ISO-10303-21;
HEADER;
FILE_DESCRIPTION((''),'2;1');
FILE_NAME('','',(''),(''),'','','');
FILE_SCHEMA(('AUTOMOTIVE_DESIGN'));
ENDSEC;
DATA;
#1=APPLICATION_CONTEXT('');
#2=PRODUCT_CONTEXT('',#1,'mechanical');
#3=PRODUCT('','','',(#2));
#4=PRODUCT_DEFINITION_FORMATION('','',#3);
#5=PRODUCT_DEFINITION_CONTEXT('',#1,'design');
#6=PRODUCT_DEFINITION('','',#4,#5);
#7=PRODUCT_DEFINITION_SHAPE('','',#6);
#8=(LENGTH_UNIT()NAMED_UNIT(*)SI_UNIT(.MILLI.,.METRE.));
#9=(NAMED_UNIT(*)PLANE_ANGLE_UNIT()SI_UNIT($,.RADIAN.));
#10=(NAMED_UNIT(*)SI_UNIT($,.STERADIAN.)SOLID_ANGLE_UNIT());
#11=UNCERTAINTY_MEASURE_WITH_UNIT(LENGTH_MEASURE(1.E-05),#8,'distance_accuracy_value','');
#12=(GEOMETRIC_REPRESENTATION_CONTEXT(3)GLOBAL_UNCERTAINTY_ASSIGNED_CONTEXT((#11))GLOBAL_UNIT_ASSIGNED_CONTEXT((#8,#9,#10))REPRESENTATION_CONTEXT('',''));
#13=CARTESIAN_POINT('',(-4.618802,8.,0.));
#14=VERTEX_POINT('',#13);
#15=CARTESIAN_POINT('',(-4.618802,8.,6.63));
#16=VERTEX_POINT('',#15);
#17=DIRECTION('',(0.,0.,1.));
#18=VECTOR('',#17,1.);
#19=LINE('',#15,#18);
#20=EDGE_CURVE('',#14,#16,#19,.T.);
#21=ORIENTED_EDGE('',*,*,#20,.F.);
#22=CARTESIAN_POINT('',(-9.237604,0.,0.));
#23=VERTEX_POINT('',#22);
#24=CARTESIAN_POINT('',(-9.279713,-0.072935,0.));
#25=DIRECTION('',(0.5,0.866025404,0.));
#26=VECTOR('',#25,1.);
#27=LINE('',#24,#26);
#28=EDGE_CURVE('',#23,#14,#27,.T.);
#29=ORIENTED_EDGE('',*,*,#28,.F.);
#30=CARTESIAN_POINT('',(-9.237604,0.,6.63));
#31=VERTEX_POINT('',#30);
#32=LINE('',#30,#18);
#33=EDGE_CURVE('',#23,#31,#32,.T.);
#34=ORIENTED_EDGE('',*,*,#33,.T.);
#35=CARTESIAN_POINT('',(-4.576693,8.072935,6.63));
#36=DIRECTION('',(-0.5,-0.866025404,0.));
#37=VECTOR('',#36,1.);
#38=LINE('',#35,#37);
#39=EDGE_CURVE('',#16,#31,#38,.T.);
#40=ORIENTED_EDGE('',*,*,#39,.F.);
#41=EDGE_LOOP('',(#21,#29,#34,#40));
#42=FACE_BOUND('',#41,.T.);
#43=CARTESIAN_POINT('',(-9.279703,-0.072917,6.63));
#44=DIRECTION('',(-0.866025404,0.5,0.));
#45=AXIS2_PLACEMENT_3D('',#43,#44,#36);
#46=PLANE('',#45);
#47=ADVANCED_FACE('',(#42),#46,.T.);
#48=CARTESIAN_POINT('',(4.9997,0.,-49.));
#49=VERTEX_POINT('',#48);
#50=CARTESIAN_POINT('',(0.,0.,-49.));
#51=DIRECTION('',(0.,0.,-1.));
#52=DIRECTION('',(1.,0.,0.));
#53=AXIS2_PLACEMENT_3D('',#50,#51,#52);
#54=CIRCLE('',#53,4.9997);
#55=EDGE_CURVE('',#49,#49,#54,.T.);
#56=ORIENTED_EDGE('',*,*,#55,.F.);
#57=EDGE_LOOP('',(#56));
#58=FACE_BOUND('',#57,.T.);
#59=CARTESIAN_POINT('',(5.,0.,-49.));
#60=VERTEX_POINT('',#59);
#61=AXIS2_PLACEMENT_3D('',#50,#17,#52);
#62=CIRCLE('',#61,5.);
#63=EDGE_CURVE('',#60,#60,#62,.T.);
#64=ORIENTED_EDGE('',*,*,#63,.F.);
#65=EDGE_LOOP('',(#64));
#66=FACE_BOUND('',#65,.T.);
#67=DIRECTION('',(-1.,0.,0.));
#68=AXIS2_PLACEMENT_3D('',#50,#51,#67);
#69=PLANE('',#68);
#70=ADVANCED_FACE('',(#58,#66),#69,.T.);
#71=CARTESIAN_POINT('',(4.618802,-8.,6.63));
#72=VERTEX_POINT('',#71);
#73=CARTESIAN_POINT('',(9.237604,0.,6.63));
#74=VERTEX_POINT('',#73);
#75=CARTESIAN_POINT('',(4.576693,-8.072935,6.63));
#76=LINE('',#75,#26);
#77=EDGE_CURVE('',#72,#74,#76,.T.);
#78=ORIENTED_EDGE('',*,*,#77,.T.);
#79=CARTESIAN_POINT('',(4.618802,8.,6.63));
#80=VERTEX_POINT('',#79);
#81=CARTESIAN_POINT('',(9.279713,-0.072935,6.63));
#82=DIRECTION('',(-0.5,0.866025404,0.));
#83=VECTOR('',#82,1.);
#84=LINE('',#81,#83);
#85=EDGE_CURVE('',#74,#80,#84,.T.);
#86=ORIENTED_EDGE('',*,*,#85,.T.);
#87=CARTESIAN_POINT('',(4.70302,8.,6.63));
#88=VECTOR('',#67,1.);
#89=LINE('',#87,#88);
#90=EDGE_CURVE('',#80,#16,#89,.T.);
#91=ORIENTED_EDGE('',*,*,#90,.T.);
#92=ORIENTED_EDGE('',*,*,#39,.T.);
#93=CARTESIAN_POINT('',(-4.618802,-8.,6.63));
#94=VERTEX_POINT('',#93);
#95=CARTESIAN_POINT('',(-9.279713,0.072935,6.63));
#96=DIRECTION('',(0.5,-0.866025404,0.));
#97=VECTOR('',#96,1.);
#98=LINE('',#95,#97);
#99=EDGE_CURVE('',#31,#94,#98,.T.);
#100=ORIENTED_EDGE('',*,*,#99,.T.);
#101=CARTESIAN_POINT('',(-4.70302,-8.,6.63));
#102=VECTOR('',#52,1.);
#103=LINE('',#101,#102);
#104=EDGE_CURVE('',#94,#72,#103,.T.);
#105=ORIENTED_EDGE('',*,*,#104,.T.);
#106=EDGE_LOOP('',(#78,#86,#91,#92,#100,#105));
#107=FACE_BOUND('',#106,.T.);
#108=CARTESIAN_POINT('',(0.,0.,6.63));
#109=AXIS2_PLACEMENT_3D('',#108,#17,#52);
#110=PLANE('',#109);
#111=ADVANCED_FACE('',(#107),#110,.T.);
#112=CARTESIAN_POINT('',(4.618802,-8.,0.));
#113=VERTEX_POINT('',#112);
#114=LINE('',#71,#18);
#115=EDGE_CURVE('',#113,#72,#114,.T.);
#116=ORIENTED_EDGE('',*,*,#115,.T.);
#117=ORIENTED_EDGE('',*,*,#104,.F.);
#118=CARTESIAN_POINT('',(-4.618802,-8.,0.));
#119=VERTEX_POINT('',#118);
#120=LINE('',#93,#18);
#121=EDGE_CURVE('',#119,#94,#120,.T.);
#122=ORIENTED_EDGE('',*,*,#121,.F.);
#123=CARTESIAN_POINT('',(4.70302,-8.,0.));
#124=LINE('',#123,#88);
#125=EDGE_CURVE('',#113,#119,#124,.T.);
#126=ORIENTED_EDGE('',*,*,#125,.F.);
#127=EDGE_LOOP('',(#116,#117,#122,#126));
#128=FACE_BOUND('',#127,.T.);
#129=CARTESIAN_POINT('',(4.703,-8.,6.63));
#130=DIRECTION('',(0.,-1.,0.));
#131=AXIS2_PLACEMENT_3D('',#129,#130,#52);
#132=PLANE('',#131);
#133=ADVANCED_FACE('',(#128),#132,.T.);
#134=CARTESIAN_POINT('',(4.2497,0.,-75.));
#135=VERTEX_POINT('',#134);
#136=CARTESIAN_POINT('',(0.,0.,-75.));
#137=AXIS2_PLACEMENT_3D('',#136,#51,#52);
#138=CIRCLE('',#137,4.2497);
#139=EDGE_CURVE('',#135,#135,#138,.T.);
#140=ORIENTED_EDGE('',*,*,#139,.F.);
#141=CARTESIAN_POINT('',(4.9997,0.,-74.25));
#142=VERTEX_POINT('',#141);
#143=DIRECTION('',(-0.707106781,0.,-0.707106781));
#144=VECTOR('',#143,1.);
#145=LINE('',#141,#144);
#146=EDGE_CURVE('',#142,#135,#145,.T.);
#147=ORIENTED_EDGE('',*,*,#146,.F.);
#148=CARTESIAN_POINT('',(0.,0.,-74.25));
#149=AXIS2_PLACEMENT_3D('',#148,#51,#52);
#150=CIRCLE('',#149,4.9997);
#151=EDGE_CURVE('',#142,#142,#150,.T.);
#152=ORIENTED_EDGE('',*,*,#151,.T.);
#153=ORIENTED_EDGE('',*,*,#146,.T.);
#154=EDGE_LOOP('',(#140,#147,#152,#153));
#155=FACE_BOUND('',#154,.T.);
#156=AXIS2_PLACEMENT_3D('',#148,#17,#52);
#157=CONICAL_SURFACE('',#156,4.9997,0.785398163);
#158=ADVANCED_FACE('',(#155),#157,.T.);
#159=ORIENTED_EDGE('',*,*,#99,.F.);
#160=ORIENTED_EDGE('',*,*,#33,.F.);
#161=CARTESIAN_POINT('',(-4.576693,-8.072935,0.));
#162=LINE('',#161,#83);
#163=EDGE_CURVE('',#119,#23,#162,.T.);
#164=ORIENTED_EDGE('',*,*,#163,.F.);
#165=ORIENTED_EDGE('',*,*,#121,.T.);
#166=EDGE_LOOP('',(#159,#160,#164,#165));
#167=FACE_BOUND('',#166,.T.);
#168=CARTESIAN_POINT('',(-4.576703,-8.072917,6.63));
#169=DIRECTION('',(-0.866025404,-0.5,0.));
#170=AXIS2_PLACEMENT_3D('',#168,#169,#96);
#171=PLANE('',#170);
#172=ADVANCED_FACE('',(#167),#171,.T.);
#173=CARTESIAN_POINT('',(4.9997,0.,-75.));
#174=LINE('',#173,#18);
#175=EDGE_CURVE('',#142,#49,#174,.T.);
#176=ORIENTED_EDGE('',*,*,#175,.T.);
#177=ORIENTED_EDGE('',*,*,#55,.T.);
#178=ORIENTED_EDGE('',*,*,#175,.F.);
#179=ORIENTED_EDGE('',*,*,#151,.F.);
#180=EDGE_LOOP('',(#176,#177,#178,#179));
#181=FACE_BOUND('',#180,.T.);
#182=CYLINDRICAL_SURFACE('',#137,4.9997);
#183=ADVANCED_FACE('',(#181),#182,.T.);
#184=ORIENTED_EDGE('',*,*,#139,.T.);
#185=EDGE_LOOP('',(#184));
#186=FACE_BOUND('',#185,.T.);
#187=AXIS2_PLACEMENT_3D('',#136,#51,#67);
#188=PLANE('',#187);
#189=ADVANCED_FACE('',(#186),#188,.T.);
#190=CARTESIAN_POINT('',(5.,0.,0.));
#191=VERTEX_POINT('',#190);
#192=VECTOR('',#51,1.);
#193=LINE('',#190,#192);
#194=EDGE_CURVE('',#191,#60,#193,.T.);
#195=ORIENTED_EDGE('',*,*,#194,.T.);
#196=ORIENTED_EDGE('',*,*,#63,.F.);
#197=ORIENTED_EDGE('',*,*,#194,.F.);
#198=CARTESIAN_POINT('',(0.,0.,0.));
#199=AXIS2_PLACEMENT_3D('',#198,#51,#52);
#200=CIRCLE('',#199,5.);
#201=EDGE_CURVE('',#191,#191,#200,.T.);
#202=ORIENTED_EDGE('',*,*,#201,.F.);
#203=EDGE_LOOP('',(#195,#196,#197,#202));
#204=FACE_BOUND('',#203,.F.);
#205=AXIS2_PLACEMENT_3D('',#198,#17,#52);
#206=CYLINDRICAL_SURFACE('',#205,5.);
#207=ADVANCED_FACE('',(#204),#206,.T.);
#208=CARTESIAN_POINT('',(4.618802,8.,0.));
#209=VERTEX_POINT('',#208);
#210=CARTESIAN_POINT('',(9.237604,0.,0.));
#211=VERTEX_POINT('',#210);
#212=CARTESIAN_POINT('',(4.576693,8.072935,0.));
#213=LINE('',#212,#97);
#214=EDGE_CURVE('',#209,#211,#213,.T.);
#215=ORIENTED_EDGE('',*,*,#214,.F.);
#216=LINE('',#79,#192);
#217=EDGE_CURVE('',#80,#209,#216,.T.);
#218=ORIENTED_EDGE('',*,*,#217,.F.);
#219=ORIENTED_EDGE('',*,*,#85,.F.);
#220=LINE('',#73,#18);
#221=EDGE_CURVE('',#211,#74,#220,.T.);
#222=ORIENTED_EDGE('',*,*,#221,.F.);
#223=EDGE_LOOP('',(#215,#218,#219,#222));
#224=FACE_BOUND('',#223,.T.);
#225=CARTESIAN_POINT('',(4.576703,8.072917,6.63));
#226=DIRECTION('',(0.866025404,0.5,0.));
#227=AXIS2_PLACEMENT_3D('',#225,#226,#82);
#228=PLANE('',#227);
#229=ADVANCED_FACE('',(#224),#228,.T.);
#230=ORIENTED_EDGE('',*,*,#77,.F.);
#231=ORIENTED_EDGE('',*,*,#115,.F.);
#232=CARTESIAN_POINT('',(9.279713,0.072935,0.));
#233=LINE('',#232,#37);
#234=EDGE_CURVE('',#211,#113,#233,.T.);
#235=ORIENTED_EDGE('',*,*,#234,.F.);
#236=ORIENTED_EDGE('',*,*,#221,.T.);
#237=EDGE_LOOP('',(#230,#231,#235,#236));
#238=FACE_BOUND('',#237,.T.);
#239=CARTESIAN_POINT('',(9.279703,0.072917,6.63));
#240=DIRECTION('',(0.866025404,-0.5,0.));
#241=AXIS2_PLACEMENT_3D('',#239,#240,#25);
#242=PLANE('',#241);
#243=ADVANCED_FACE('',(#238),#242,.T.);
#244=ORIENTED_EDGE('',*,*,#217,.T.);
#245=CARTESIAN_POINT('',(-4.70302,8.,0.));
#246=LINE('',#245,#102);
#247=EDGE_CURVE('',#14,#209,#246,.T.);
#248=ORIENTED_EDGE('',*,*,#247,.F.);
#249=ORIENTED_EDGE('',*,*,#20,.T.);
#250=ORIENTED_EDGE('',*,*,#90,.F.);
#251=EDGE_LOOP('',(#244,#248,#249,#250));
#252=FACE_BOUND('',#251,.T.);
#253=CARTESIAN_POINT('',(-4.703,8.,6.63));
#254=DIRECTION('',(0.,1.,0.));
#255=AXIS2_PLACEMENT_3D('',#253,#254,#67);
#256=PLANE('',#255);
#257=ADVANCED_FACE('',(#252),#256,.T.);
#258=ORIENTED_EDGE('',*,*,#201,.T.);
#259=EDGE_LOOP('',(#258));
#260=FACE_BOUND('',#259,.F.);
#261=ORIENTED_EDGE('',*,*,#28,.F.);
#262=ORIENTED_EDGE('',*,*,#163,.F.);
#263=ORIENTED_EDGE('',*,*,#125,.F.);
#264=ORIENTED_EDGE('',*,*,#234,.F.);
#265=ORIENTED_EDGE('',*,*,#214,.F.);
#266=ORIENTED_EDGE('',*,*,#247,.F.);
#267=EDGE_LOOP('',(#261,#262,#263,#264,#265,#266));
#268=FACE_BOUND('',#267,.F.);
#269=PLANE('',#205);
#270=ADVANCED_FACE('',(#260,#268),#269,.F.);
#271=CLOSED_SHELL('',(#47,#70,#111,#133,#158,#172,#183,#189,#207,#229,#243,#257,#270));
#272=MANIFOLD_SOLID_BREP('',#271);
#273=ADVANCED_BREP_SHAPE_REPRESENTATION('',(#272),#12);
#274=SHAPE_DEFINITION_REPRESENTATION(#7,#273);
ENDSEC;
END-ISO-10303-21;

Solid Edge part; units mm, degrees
sketch "Sketch1" plane through (0, 0, 0) normal (0, 0, 1) x (1, 0, 0)
  circle A0 centre (0, 0) radius 9.28
  dimension "D1" = 18.56
extrude "Protrusion1" add sketch "Sketch1" along normal blind 6.63
sketch "Sketch2" plane through (0, 0, 0) normal (0, 0, -1) x (1, 0, 0)
  circle A0 centre (0, 0) radius 5
extrude "Protrusion2" add sketch "Sketch2" along normal blind 75
sketch "Sketch3" plane through (0, 0, -75) normal (0, 0, -1) x (1, 0, 0)
  circle A0 centre (0, 0) radius 4.9997
extrude "Cutout1" cut sketch "Sketch3" against normal blind 26 flip side to cut
chamfer "Chamfer_1" distance 0.75 angle 45 1 edges at (-4.9997, 0, -75)
sketch "Sketch4" plane through (0, 0, 6.63) normal (0, 0, 1) x (1, 0, 0)
  line L0 (-4.703, 8) -> (4.703, 8)
  dimension "D1" = 16
extrude "Cutout2" cut sketch "Sketch4" against normal up to next material side at (0, 8.05, 6.63)
pattern_circular "Pattern1" count 6 over 360 about axis through (0, 0, 6.63) along (0, 0, 1) of "Cutout2"
properties part number "118418"
